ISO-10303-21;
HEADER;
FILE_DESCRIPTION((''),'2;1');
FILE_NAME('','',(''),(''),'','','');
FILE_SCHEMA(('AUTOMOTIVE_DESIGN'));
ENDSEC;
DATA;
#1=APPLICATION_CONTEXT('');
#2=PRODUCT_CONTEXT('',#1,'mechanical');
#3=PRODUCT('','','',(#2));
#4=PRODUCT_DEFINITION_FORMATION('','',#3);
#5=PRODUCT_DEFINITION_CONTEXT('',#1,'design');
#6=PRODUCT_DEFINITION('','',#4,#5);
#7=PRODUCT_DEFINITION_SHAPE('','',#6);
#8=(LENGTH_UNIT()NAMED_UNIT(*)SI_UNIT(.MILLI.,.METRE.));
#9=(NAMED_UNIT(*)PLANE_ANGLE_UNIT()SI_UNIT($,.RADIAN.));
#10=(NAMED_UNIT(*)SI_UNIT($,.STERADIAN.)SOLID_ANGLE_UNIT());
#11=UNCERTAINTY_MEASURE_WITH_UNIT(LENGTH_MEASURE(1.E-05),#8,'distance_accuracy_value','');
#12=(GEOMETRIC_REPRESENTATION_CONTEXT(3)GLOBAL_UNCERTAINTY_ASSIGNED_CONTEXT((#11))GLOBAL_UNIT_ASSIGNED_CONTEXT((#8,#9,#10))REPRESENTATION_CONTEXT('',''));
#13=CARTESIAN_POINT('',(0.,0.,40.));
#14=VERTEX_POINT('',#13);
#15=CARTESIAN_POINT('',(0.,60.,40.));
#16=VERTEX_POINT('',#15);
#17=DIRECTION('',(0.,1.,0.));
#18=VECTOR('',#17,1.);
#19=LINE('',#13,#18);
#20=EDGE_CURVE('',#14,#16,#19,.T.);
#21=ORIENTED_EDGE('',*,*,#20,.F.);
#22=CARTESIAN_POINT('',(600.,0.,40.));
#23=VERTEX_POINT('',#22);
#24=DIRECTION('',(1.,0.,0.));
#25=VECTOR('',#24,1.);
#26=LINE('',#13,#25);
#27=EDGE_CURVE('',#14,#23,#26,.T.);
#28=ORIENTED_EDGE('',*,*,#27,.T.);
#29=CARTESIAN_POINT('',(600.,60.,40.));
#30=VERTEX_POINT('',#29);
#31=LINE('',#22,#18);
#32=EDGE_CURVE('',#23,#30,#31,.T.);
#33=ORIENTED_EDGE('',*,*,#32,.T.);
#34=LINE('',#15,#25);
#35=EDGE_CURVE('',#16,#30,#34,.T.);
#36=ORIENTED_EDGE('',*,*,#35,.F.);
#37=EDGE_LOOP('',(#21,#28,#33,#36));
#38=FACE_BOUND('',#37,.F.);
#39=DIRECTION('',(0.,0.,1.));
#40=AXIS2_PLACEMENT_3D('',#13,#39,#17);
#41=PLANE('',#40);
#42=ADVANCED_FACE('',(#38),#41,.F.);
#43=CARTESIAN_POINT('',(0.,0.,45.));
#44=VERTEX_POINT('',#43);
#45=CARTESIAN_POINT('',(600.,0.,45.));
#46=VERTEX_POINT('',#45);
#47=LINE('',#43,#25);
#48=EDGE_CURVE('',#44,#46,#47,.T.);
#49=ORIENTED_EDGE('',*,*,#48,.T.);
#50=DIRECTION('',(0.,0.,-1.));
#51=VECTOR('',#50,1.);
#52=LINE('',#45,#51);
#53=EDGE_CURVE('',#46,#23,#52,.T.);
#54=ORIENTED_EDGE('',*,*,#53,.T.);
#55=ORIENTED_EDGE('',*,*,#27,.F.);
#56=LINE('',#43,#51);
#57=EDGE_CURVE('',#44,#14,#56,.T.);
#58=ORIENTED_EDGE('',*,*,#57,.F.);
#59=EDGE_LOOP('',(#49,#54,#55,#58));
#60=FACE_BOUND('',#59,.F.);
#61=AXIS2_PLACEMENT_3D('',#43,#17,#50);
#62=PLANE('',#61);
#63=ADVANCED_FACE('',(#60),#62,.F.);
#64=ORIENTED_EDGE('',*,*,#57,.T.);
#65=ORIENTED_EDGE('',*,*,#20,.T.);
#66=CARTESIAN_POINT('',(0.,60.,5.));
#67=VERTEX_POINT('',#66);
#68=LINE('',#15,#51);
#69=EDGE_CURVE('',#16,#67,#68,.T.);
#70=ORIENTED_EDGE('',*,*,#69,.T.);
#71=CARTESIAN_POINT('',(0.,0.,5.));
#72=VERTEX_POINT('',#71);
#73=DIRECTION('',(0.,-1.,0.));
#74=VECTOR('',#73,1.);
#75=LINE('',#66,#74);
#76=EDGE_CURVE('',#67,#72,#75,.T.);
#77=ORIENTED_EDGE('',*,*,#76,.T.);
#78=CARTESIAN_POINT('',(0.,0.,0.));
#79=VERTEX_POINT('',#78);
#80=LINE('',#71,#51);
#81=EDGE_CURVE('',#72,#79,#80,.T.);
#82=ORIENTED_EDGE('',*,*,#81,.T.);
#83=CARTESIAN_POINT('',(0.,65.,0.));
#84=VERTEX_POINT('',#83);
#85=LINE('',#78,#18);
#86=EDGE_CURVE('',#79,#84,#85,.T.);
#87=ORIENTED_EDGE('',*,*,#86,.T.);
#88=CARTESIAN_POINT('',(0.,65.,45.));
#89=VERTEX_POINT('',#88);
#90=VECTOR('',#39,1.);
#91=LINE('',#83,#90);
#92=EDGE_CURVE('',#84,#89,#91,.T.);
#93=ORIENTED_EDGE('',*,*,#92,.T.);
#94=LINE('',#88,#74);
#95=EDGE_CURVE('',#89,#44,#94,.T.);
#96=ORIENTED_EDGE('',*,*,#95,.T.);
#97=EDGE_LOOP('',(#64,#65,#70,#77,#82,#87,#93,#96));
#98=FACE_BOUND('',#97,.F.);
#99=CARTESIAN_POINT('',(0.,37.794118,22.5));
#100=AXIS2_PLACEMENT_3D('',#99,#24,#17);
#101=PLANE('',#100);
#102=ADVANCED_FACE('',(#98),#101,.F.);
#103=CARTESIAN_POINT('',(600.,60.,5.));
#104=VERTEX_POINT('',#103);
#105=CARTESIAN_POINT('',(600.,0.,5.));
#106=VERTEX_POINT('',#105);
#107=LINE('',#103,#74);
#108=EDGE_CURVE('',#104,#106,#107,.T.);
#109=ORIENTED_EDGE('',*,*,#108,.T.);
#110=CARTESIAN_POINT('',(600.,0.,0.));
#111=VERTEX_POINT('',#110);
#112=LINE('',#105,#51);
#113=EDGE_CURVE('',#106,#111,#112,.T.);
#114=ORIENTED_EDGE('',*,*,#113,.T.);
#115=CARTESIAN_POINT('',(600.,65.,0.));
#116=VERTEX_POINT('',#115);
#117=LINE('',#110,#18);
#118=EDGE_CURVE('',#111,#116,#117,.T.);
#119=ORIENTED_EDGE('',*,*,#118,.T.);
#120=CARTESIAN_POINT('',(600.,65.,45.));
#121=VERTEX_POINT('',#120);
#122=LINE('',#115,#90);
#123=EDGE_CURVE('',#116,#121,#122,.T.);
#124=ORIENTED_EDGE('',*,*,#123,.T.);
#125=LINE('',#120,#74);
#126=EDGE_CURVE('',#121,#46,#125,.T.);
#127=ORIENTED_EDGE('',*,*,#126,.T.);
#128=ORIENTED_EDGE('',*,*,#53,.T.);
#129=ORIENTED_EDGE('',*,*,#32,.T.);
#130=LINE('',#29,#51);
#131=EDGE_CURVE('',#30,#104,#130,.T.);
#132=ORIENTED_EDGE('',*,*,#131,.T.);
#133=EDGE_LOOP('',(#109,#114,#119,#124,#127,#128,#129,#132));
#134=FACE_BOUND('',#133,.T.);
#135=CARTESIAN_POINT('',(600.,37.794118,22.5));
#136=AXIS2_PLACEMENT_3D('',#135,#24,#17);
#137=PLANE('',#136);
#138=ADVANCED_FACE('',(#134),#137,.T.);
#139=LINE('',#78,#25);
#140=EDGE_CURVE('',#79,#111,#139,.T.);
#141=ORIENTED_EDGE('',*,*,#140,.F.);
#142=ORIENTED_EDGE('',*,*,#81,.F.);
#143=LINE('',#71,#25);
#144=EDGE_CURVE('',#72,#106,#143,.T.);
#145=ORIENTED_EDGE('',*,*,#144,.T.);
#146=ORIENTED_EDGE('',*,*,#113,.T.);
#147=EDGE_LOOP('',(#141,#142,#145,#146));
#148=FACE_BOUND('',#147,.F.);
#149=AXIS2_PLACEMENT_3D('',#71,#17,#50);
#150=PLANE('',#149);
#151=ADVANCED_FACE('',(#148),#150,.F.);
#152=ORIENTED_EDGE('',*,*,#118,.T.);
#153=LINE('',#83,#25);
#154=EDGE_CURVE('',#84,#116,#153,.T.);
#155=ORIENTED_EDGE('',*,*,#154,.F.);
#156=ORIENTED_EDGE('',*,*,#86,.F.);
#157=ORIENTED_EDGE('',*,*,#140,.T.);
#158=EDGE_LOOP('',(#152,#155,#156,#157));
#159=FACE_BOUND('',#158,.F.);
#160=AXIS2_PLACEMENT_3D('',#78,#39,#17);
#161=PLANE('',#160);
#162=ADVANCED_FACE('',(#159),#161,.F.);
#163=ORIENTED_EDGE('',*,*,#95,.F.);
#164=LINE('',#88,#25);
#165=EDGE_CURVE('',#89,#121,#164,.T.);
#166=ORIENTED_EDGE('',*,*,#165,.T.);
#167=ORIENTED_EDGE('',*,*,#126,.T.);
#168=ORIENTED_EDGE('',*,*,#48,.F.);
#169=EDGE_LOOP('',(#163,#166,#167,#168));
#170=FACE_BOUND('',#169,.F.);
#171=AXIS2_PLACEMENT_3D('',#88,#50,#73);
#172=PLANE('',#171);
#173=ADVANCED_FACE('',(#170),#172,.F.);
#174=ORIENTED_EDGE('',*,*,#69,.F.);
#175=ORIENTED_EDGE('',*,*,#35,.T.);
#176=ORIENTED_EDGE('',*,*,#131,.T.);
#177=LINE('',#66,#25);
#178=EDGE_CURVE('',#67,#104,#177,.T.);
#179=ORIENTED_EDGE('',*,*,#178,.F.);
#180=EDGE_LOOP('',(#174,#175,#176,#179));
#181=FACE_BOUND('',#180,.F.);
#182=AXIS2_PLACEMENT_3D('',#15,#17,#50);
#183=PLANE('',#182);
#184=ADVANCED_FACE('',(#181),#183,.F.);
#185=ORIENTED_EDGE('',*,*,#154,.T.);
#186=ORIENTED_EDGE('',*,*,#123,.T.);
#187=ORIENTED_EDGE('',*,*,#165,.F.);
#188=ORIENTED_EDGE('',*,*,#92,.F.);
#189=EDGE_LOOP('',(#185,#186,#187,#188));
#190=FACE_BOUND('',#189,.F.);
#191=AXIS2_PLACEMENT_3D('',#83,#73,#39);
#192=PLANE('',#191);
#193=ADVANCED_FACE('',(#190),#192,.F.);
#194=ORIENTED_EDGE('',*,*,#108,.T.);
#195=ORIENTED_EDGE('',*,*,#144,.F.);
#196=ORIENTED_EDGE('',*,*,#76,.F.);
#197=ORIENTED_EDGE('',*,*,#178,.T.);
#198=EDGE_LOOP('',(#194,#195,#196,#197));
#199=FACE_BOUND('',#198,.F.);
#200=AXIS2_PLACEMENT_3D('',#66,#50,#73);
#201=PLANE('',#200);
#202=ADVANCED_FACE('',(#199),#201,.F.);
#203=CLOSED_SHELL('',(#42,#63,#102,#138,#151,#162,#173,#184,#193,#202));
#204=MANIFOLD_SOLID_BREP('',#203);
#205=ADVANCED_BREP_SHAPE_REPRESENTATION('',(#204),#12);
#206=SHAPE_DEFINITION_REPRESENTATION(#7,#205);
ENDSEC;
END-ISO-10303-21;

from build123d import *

# Parameters (mm, degrees)
PAD_DEPTH = 600


with BuildPart() as part:
    # Sketch → Pad (new body)
    with BuildSketch(Plane.YZ):
        Polygon((0, 0), (65, 0), (65, 45), (0, 45), (0, 40), (60, 40), (60, 5), (0, 5), align=None)
    extrude(amount=PAD_DEPTH)


solid = part.part
